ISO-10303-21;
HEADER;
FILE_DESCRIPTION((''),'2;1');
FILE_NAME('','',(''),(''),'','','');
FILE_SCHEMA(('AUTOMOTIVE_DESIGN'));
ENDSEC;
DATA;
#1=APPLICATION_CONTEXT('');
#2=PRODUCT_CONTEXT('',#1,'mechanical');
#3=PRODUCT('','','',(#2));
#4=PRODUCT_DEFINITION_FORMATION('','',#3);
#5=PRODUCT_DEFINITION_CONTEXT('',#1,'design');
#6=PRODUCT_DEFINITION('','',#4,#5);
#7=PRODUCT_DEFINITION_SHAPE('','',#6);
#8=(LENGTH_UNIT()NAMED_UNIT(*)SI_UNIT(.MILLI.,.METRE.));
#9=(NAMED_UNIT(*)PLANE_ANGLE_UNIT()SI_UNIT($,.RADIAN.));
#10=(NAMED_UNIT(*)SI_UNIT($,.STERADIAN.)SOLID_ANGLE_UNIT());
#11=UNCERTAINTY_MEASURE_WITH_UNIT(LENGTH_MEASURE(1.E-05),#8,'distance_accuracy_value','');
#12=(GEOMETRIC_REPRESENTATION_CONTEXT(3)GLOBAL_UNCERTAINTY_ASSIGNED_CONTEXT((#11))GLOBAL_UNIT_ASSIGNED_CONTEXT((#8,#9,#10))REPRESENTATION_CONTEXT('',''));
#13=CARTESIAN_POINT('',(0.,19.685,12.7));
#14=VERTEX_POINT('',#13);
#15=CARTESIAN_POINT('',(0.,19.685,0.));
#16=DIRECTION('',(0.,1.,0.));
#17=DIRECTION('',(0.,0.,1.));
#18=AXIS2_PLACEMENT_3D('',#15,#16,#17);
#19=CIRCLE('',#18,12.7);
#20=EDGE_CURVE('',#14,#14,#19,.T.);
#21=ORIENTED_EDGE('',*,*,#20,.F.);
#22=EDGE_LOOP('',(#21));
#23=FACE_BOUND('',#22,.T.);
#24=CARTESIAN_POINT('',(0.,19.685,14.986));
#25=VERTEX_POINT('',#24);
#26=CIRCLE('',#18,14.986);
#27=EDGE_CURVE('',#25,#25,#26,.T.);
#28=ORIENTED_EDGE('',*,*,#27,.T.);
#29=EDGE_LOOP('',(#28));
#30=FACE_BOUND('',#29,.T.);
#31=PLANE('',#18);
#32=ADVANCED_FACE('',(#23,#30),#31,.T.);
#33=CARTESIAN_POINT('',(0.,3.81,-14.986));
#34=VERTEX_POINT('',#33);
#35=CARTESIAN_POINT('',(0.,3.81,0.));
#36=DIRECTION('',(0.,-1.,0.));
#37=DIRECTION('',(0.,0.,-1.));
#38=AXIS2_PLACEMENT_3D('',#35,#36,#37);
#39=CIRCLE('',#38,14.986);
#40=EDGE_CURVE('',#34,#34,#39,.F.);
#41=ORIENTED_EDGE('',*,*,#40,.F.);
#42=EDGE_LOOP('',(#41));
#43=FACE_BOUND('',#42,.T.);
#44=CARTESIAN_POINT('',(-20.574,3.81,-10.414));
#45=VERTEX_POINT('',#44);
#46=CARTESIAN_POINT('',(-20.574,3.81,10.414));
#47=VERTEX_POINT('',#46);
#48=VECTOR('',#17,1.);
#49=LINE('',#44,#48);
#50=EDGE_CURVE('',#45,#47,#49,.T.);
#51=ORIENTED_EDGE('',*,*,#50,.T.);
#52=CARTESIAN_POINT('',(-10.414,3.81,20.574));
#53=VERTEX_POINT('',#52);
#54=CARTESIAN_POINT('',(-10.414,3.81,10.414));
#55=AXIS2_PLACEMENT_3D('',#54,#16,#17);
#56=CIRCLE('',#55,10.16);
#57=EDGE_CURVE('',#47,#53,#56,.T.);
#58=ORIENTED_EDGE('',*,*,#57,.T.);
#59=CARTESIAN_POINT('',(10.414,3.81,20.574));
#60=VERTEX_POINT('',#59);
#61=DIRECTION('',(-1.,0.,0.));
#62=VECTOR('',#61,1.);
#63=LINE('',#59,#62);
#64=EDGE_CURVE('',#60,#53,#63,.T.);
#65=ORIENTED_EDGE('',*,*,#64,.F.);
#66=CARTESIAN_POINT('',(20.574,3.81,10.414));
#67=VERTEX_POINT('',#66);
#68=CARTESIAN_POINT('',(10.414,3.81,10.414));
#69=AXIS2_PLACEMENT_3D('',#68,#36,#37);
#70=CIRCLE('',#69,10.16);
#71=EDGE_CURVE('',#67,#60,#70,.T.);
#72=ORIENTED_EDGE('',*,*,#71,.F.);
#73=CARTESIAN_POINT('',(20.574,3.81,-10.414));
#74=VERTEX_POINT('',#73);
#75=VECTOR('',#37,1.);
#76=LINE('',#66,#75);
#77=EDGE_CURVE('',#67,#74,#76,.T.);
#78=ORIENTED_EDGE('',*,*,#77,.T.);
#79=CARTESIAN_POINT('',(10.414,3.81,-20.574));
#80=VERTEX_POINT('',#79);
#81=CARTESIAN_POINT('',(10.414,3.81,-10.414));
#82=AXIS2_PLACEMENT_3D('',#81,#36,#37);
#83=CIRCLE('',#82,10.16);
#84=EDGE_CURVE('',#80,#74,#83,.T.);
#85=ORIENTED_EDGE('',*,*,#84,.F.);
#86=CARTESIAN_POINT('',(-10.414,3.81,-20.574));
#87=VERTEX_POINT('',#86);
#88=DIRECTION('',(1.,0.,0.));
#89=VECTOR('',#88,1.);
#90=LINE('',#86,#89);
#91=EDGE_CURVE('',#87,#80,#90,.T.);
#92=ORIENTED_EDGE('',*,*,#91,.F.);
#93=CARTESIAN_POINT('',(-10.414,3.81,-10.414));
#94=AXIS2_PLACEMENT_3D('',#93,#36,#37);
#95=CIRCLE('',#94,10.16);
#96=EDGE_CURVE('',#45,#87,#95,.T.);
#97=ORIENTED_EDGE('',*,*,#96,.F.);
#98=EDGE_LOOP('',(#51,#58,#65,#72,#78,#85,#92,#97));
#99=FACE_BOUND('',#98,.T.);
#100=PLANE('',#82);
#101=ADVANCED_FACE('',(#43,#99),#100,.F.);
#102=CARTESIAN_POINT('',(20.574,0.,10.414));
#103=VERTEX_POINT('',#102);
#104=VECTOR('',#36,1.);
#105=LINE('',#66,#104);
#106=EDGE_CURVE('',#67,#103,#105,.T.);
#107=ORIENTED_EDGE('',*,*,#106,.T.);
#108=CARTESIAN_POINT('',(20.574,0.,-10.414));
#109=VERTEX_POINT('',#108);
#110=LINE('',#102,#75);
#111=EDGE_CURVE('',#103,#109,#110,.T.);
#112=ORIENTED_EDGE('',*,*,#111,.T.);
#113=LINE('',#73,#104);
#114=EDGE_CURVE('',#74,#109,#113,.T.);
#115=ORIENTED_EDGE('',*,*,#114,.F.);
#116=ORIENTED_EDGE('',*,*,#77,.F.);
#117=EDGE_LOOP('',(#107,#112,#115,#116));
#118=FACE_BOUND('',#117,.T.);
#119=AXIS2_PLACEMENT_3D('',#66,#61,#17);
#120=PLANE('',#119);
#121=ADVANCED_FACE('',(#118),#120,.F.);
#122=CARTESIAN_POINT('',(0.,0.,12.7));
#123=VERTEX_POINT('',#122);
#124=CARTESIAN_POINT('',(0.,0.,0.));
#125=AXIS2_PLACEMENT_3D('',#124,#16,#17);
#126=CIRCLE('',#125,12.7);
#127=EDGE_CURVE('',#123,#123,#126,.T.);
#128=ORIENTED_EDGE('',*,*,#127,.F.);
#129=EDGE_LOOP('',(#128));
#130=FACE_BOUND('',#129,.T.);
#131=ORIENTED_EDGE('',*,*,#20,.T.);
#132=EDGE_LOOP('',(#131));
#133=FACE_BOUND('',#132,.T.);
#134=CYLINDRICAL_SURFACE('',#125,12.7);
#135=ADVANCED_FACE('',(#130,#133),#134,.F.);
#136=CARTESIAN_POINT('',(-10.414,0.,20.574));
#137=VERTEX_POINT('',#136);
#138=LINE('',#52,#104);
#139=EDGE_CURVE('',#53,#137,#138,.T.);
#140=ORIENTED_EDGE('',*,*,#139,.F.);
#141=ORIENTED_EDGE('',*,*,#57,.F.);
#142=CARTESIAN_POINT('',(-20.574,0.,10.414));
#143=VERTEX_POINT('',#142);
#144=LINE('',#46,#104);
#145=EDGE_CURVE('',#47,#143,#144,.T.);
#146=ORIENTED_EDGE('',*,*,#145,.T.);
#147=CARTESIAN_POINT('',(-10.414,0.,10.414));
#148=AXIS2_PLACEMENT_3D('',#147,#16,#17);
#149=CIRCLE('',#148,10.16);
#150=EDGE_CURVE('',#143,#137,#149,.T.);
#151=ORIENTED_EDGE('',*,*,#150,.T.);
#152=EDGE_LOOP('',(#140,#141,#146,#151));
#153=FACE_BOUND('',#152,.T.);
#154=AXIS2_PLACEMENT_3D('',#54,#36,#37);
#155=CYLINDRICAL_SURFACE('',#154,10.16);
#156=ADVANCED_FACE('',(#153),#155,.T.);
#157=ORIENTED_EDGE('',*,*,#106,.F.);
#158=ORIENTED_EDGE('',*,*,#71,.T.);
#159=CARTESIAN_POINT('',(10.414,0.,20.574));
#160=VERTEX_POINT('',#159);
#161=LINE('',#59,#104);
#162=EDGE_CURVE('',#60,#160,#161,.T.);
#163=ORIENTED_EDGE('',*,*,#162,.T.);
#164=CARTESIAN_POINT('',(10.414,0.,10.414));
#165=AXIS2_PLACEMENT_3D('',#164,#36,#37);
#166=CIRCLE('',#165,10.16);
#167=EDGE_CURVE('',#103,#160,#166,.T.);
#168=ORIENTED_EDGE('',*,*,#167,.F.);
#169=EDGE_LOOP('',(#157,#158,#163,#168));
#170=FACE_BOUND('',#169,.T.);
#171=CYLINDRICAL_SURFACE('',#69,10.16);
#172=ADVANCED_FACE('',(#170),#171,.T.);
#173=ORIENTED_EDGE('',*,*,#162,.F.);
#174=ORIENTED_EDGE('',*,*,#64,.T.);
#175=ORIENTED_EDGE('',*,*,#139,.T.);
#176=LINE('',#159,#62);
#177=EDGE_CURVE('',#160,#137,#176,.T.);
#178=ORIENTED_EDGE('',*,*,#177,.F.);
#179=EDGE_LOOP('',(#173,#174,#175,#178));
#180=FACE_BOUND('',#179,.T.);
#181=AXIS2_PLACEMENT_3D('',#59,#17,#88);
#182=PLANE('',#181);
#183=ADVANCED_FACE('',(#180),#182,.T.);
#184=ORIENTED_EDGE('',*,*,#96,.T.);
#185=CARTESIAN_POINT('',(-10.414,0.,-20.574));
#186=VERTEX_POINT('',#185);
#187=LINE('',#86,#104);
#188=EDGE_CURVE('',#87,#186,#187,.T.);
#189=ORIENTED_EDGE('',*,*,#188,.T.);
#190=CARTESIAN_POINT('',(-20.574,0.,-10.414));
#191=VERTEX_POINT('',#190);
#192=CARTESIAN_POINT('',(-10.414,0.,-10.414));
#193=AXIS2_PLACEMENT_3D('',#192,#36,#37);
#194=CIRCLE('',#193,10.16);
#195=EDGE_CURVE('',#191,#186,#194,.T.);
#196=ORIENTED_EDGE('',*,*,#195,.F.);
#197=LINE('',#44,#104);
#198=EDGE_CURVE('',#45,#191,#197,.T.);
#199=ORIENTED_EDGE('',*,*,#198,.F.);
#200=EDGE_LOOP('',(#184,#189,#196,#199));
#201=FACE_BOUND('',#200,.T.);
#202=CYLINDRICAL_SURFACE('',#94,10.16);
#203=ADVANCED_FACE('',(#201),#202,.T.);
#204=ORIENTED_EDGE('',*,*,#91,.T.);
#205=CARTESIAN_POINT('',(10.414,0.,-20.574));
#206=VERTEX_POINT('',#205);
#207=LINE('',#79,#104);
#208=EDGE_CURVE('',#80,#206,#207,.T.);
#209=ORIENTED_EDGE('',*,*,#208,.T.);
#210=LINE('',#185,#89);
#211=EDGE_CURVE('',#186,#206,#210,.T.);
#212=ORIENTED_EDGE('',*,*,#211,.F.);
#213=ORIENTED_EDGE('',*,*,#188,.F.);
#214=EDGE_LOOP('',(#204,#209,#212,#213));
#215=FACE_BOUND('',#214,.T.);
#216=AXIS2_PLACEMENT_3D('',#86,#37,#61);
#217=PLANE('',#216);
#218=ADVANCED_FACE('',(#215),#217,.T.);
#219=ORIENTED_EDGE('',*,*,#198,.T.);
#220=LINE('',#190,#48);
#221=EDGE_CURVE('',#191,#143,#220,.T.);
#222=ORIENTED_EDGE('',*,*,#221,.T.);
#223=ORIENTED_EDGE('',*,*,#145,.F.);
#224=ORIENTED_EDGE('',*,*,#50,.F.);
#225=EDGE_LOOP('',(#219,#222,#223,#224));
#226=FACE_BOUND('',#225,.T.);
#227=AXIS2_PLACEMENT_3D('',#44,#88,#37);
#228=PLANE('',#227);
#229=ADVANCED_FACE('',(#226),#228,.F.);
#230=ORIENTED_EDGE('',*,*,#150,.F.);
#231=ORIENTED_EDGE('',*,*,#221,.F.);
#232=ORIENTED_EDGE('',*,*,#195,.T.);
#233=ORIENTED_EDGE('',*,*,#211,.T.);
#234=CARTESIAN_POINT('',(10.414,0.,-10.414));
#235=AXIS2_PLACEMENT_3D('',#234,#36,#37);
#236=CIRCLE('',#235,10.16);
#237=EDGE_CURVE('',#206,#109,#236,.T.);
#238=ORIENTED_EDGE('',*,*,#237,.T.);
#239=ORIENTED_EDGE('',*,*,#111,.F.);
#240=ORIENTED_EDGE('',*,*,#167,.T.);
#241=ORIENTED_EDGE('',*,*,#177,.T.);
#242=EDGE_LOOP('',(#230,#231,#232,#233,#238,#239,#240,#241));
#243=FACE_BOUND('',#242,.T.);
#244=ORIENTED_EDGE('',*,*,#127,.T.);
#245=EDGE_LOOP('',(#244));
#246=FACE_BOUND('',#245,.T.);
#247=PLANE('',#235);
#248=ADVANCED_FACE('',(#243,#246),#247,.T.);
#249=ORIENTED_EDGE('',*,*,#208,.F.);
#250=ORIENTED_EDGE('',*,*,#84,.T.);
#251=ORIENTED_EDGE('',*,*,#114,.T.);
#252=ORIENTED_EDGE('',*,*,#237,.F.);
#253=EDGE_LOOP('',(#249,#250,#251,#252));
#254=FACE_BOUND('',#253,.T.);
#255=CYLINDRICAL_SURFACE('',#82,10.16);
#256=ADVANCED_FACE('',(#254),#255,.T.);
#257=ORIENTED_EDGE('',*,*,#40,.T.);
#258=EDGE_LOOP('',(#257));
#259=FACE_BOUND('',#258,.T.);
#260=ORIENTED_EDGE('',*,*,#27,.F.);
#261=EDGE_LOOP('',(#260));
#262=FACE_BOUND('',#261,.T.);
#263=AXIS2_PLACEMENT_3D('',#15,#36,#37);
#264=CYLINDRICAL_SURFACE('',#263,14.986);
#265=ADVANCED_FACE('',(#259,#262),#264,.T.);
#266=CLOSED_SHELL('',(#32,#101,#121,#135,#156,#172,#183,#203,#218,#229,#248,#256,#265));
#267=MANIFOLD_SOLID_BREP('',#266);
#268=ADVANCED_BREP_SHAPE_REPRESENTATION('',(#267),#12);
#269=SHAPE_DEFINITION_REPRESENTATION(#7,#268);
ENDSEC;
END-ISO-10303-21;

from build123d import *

# Parameters (mm, degrees)
BASE_EXTRUDE_DEPTH  = 3.81
SKETCH2_R           = 14.986
BOSS_EXTRUDE1_DEPTH = 15.875
SKETCH3_R           = 12.7
CUT_EXTRUDE1_DEPTH  = 20.685


with BuildPart() as part:
    # Sketch1 → Base-Extrude (new body)
    with BuildSketch(Plane(origin=(0, 0, 0), x_dir=(1, 0, 0), z_dir=(0, 1, 0))):
        with BuildLine():
            Line((-10.414, 20.574), (10.414, 20.574))
            ThreePointArc((10.414, 20.574), (17.598204897, 17.598204897), (20.574, 10.414))
            Line((20.574, 10.414), (20.574, -10.414))
            ThreePointArc((20.574, -10.414), (17.598204897, -17.598204897), (10.414, -20.574))
            Line((10.414, -20.574), (-10.414, -20.574))
            ThreePointArc((-10.414, -20.574), (-17.598204897, -17.598204897), (-20.574, -10.414))
            Line((-20.574, -10.414), (-20.574, 10.414))
            ThreePointArc((-20.574, 10.414), (-17.598204897, 17.598204897), (-10.414, 20.574))
        make_face()
    extrude(amount=BASE_EXTRUDE_DEPTH)

    # Sketch2 → Boss-Extrude1 (add)
    with BuildSketch(Plane(origin=(0, 3.81, 0), x_dir=(-1, 0, 0), z_dir=(0, 1, 0))):
        Circle(SKETCH2_R)
    extrude(amount=BOSS_EXTRUDE1_DEPTH)

    # Sketch3 → Cut-Extrude1 (cut, through all)
    with BuildSketch(Plane(origin=(0, 19.685, 0), x_dir=(-1, 0, 0), z_dir=(0, 1, 0))):
        Circle(SKETCH3_R)
    extrude(amount=-CUT_EXTRUDE1_DEPTH, mode=Mode.SUBTRACT)


solid = part.part
